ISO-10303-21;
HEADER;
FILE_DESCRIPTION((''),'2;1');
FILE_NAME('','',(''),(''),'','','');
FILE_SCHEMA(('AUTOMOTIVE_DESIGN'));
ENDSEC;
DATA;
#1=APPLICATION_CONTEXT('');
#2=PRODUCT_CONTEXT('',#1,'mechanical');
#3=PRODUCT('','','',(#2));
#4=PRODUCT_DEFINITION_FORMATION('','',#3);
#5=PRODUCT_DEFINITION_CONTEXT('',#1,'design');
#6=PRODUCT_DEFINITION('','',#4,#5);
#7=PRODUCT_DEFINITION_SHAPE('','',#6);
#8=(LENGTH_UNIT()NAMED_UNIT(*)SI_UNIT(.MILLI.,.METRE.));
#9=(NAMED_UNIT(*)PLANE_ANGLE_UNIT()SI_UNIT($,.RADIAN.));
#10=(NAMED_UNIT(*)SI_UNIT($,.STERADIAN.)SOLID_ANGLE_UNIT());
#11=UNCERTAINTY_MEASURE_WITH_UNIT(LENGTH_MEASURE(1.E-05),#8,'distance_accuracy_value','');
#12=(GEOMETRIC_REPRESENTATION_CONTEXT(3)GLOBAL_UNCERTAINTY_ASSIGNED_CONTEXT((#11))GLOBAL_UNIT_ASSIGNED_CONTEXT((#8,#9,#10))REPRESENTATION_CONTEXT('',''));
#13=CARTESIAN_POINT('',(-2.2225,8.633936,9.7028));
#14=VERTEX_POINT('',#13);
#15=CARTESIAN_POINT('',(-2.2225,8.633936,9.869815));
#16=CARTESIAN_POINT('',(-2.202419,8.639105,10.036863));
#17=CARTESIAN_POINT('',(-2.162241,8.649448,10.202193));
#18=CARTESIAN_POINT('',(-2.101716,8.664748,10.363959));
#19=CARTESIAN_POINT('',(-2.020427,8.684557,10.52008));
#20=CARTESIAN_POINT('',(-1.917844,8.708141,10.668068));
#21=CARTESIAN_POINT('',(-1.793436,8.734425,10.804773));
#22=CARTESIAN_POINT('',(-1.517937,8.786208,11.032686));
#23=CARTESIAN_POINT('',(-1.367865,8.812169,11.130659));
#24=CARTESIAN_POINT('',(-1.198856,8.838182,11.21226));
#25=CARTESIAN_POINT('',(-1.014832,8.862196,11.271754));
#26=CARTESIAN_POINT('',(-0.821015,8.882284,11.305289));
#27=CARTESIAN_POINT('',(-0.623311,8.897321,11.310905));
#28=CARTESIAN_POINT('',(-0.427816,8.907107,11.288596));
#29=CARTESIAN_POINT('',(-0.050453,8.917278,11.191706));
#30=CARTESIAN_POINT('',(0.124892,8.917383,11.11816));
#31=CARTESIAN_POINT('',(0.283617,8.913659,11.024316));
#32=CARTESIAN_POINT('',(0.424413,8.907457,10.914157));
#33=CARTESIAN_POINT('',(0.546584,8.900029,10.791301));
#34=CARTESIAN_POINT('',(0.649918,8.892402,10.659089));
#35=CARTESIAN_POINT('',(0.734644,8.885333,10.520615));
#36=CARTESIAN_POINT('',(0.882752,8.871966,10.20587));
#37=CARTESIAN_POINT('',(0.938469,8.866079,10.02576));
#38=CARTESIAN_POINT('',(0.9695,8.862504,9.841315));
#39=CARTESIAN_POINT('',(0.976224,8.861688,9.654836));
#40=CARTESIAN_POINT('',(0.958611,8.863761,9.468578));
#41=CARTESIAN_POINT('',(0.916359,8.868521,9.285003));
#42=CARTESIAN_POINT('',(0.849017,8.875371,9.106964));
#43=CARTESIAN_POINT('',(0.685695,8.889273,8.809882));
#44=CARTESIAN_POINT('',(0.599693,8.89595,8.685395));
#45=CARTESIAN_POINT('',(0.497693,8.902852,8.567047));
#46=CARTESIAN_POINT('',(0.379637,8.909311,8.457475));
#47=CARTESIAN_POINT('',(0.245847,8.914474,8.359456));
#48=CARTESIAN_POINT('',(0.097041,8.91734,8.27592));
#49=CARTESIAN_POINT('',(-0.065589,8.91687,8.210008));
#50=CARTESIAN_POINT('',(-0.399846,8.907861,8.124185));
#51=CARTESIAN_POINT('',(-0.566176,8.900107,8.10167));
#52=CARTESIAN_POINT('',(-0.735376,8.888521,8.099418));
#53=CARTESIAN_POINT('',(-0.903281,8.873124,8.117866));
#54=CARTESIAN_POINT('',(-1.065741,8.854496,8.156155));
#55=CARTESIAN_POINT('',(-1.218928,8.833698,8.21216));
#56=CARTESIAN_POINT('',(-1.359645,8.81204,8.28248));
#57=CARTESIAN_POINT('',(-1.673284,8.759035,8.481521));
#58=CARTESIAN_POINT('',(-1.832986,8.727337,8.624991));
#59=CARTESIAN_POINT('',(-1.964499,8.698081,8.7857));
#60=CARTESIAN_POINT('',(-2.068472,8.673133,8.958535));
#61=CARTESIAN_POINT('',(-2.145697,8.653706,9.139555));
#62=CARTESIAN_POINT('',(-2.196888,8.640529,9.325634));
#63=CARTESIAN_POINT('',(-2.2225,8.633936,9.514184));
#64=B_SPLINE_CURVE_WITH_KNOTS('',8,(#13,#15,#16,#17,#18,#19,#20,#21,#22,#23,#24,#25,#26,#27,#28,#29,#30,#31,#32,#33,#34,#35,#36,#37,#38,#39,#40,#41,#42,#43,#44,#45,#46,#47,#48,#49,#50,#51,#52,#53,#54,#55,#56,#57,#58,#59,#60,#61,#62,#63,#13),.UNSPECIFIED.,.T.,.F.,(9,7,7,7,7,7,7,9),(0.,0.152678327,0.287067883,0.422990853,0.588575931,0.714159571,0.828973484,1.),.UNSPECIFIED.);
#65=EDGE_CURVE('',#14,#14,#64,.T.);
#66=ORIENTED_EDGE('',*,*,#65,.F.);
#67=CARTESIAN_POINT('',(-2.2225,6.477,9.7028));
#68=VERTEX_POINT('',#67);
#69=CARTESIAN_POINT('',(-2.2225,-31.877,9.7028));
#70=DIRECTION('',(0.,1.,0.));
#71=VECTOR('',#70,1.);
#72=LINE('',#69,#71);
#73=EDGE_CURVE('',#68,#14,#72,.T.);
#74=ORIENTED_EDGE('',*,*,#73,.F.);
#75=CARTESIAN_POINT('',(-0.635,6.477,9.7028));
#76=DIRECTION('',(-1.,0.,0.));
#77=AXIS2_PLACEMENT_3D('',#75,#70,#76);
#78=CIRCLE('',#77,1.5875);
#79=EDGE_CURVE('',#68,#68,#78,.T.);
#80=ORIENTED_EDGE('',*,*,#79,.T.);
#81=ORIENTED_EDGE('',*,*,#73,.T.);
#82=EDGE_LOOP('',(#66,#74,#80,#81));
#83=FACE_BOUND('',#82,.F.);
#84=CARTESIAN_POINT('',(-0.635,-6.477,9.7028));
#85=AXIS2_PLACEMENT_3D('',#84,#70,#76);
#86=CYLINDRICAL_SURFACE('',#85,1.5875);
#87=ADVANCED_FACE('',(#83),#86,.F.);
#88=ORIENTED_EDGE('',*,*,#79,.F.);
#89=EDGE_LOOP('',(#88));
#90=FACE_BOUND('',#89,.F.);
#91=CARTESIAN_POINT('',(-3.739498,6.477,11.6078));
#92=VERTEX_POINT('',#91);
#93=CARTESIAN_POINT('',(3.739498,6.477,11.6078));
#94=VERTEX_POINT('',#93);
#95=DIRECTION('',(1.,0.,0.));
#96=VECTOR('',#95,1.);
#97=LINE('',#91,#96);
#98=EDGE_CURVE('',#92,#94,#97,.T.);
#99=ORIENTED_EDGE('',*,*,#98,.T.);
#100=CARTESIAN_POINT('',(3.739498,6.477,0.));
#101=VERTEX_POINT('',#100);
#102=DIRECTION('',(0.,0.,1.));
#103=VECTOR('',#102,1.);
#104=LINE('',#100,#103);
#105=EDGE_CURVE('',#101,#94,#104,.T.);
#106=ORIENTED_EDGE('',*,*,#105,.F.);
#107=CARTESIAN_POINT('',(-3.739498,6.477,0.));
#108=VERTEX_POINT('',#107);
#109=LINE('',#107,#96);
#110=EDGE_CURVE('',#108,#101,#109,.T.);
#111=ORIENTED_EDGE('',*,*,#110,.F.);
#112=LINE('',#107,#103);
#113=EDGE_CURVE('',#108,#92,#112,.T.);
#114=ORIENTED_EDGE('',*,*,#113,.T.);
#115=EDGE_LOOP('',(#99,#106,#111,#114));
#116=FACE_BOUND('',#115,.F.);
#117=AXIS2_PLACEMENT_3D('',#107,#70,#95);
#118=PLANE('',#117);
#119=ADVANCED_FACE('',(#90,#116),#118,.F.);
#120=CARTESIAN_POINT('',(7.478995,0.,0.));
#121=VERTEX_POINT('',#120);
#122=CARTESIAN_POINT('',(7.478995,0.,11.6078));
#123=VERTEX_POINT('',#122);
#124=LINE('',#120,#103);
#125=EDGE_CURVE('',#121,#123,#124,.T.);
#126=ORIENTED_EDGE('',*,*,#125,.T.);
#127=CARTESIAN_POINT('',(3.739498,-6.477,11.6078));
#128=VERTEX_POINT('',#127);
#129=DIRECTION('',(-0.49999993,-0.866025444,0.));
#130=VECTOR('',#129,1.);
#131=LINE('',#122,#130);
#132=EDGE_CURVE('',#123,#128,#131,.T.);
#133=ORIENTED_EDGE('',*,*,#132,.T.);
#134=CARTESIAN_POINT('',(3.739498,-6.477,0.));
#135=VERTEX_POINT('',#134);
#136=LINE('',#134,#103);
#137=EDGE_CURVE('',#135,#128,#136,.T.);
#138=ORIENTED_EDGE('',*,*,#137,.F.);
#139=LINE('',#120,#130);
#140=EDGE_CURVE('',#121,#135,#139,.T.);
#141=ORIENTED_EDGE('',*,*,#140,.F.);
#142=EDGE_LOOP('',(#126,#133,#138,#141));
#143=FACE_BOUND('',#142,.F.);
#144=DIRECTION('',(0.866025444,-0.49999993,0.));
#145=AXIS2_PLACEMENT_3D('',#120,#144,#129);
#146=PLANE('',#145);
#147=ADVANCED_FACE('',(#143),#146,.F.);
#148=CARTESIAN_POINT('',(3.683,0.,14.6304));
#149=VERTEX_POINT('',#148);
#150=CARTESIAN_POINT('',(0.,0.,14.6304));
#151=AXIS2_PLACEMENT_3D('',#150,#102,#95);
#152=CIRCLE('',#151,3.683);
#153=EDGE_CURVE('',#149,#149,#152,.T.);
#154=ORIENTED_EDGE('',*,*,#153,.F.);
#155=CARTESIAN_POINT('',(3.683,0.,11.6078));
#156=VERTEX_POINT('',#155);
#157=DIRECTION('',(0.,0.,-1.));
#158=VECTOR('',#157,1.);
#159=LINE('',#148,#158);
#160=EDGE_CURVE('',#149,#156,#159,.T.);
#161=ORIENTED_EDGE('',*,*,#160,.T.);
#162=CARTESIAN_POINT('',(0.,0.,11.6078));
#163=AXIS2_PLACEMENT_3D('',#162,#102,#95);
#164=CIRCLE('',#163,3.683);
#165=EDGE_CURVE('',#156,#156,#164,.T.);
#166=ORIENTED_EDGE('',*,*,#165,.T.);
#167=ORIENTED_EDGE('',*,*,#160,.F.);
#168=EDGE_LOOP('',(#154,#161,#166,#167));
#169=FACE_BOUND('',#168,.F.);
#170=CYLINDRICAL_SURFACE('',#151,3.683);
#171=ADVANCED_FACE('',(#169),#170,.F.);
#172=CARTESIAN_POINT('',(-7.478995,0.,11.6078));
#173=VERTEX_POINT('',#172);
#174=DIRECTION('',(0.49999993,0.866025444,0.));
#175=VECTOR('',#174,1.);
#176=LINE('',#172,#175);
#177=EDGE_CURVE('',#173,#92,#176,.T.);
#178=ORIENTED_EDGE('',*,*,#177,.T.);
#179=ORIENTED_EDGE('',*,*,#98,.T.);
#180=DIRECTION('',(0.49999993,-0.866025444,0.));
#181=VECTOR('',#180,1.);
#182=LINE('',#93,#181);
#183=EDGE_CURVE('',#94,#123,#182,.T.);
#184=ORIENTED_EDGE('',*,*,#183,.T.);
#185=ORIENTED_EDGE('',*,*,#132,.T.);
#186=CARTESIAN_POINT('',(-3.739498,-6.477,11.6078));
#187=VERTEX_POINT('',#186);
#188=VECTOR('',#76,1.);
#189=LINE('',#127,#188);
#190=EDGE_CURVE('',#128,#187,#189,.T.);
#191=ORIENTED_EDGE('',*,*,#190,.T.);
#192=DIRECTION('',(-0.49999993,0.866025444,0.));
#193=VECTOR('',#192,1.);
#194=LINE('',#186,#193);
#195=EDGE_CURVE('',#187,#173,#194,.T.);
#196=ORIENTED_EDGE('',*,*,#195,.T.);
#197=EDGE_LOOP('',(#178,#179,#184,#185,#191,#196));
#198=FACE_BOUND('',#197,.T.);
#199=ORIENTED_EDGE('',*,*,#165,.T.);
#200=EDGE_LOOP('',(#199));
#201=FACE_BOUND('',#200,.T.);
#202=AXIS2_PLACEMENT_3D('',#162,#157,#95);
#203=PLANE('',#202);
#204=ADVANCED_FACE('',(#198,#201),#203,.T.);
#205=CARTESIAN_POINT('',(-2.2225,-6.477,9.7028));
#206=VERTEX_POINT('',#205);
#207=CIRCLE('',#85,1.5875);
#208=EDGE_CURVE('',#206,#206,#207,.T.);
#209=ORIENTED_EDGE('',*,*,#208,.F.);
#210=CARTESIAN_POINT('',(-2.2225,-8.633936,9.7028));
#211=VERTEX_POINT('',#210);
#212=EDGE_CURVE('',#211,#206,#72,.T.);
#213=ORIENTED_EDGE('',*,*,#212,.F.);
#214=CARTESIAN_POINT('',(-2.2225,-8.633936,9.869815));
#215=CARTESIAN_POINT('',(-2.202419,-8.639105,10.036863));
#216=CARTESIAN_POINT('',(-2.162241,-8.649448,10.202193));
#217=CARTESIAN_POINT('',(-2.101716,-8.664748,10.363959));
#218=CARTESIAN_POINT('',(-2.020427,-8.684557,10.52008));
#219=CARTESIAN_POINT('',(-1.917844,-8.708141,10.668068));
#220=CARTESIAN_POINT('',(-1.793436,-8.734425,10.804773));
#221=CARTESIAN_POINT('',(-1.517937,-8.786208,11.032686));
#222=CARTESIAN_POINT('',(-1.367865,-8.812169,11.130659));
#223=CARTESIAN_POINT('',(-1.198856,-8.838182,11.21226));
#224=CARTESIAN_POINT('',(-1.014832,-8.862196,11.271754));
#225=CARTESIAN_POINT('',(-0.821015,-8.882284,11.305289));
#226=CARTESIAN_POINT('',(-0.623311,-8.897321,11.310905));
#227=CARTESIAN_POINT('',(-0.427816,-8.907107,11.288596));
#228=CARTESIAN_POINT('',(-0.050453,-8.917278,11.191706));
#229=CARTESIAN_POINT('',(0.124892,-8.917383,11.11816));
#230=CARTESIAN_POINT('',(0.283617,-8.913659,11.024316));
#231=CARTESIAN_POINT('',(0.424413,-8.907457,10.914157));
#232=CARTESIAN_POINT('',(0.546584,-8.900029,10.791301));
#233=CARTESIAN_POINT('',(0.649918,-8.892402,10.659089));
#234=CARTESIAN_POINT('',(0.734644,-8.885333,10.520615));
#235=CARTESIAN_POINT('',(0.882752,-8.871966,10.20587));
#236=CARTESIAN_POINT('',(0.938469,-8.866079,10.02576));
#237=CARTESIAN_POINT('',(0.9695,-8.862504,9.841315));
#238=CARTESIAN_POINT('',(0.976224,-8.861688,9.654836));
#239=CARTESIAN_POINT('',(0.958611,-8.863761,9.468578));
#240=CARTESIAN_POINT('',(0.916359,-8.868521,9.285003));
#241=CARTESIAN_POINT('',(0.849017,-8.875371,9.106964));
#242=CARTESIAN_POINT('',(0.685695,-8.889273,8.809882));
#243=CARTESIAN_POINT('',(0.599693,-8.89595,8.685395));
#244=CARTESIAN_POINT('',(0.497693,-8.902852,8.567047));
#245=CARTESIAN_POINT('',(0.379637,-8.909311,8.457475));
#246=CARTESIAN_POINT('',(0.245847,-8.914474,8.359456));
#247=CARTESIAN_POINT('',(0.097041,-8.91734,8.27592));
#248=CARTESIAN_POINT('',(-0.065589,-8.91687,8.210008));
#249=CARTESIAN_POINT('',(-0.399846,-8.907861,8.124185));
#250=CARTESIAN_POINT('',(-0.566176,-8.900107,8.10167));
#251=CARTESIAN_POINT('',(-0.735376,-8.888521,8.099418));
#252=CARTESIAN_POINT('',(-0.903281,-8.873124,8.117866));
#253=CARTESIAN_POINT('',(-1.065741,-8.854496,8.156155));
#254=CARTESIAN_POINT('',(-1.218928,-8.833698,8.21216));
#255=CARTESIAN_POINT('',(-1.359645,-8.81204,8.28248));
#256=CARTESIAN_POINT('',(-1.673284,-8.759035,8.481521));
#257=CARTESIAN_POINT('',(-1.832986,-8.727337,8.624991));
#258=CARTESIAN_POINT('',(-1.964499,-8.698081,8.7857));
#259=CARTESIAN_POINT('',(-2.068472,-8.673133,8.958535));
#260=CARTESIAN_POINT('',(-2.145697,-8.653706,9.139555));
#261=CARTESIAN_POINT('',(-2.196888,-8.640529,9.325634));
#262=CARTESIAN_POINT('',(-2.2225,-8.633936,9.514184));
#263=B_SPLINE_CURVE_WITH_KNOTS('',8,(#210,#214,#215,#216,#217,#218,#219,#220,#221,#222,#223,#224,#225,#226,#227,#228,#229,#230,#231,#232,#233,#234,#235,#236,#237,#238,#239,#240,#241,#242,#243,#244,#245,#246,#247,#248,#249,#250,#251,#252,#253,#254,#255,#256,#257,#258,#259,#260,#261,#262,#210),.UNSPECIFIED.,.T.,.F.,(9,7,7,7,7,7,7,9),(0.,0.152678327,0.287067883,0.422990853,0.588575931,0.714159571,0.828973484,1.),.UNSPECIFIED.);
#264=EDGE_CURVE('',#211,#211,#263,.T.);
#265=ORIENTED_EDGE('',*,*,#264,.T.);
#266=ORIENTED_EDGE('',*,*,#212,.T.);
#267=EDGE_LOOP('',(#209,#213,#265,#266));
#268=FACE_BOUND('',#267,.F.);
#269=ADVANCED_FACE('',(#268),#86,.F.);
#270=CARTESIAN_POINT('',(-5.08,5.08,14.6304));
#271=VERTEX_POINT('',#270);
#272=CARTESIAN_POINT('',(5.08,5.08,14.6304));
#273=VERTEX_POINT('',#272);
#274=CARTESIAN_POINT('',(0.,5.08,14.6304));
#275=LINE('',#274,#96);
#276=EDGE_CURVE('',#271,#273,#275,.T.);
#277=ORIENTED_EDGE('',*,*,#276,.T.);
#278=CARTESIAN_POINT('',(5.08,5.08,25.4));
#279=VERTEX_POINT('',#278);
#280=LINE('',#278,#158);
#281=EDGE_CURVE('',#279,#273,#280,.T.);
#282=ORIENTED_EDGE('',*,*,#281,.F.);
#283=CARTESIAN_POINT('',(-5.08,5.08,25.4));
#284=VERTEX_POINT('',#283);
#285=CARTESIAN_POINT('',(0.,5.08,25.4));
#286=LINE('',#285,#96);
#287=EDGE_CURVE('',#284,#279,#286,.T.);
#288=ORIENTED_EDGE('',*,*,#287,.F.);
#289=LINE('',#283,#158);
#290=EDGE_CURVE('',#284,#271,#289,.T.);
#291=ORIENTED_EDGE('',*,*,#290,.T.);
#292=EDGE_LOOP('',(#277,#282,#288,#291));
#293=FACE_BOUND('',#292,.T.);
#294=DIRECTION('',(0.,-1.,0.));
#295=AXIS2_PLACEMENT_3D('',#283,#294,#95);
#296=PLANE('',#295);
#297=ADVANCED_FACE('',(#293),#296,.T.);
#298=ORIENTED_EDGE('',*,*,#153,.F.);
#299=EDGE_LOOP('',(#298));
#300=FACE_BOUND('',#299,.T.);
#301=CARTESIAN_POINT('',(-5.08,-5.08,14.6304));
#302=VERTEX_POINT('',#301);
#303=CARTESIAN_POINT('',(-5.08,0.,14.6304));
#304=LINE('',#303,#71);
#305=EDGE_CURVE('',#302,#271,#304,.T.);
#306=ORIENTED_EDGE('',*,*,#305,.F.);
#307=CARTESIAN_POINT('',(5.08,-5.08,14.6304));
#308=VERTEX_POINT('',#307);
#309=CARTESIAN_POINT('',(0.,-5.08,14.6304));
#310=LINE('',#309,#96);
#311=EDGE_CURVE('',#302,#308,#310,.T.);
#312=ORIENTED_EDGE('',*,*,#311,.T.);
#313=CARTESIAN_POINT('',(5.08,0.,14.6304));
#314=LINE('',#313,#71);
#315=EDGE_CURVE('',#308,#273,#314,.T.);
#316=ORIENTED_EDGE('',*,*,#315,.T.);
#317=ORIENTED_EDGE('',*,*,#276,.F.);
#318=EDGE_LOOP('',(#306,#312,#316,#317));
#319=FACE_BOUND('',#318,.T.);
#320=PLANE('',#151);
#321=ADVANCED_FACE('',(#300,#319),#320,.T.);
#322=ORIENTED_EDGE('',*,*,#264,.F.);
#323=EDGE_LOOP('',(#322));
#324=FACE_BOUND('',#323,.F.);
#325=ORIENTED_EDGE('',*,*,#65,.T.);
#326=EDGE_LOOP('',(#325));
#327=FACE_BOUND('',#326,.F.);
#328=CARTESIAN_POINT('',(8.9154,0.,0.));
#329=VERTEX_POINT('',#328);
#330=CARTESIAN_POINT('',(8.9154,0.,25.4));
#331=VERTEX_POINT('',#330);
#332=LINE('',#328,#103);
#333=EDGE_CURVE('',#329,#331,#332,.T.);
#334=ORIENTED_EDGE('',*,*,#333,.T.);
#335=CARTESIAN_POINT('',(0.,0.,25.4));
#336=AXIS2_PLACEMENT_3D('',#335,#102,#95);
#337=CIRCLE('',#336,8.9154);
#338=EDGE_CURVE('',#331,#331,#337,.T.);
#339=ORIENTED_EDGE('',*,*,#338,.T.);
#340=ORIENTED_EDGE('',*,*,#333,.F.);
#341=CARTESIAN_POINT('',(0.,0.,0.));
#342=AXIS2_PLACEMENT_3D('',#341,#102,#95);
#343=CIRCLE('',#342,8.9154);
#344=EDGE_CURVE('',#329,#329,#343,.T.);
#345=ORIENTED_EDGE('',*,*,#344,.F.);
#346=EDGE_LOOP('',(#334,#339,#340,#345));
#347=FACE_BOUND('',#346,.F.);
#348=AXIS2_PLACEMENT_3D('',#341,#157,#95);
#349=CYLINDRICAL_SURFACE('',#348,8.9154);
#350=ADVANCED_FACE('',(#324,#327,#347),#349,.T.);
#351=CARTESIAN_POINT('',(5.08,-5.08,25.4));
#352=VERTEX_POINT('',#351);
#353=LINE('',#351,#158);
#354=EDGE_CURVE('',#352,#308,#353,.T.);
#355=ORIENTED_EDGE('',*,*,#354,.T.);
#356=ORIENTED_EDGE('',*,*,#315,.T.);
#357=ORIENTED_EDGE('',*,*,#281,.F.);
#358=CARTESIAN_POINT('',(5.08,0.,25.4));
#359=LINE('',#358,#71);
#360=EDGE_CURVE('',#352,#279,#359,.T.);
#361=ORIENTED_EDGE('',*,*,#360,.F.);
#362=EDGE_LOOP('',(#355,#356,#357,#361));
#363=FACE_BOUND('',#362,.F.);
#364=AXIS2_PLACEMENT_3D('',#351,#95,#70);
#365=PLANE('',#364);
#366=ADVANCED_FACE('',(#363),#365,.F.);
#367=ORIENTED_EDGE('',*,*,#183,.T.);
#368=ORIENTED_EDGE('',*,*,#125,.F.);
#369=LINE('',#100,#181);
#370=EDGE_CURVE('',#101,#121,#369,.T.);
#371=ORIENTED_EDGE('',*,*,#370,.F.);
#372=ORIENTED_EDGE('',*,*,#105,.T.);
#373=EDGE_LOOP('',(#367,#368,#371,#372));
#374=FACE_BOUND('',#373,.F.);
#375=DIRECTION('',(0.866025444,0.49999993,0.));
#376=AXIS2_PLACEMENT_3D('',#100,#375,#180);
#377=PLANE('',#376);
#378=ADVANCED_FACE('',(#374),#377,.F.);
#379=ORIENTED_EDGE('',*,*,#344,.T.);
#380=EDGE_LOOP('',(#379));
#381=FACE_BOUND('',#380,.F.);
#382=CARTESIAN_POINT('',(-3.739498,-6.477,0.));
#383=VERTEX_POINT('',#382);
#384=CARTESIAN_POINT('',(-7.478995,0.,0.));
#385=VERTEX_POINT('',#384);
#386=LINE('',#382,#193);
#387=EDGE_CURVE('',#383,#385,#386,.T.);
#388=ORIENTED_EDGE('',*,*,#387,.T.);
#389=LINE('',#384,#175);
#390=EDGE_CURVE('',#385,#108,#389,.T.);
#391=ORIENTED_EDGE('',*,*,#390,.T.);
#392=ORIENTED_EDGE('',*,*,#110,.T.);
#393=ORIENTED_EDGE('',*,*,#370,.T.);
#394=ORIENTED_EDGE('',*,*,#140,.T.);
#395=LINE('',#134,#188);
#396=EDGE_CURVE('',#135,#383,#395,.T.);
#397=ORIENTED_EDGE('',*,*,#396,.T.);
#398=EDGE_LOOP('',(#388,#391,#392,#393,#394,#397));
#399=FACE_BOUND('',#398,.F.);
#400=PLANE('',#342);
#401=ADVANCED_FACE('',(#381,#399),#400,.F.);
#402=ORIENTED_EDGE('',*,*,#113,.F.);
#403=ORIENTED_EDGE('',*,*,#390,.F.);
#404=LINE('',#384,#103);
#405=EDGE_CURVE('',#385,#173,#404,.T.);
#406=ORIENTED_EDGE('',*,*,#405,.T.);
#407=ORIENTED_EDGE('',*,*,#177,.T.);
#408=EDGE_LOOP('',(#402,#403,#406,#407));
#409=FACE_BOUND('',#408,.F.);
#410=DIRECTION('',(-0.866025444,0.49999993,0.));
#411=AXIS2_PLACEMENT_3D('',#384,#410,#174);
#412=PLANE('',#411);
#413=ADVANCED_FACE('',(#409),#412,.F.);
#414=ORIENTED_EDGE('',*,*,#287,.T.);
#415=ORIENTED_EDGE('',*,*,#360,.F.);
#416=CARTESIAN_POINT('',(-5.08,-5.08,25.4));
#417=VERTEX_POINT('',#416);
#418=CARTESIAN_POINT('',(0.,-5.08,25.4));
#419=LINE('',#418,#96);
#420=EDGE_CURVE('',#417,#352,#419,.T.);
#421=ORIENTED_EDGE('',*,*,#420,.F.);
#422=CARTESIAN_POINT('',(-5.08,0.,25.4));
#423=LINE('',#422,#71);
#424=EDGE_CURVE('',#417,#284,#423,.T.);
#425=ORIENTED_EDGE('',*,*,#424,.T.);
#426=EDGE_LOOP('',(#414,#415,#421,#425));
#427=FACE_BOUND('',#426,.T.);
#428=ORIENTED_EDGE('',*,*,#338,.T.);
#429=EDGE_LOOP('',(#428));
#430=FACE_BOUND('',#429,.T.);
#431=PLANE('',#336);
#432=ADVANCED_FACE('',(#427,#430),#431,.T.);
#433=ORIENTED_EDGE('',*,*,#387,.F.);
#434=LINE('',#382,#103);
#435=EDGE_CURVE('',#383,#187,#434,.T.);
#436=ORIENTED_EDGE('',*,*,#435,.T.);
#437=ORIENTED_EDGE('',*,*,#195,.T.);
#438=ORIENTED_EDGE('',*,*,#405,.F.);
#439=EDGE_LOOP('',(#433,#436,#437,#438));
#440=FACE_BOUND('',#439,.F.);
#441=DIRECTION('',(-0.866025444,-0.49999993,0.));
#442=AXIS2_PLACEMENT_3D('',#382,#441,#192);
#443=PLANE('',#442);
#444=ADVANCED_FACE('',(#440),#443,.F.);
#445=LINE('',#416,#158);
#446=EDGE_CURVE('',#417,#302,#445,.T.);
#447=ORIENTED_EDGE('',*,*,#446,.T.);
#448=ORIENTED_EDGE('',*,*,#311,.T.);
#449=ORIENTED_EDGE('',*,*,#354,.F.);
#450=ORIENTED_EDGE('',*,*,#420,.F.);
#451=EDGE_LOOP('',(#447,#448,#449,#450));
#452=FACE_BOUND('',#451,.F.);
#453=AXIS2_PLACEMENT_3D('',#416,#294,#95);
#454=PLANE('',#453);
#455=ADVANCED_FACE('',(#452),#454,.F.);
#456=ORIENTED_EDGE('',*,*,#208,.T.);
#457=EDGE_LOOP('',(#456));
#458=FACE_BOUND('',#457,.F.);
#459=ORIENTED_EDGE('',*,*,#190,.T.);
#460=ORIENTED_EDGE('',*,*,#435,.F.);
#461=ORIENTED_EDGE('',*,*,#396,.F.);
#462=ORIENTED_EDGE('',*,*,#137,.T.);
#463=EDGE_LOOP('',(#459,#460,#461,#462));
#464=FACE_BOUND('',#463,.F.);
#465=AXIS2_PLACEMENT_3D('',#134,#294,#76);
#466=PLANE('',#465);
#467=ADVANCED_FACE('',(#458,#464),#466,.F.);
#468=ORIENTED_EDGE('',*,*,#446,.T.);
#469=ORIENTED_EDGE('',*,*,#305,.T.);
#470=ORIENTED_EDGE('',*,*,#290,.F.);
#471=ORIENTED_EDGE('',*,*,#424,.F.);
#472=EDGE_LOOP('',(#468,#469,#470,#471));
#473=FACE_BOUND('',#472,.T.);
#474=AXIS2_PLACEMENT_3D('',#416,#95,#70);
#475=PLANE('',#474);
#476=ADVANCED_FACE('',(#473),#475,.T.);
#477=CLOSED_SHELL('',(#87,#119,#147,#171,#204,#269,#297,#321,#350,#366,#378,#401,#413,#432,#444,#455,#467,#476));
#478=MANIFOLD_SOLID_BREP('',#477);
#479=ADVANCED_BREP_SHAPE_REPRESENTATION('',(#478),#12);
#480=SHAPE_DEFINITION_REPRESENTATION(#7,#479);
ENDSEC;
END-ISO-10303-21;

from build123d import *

# Parameters (mm, degrees)
F0_R     = 8.9154
F1_DEPTH = 25.4
F2_W     = 10.16
F2_H     = 10.16
F3_DEPTH = 10.7696
F4_R     = 3.683
F5_DEPTH = 14.6314
F7_DEPTH = 11.6078
F8_R     = 1.5875
F9_DEPTH = 25.4


with BuildPart() as f1:
    # F0 (on Top) → F1 (new body)
    with BuildSketch(Plane.XY):
        Circle(F0_R)
    extrude(amount=F1_DEPTH)

    # F2 (on face) → F3 (cut)
    with BuildSketch(Plane.XY.offset(25.4)):
        Rectangle(F2_W, F2_H)
    extrude(amount=-F3_DEPTH, mode=Mode.SUBTRACT)

    # F4 (on face) → F5 (cut, through all)
    with BuildSketch(Plane.XY.offset(14.6304)):
        Circle(F4_R)
    extrude(amount=-F5_DEPTH, mode=Mode.SUBTRACT)

    # F6 (on face) → F7 (cut)
    with BuildSketch(Plane(origin=(0, 0, 0), x_dir=(1, 0, 0), z_dir=(0, 0, -1))):
        Polygon((3.739498, 6.477), (-3.739498, 6.477), (-7.478995, 0), (-3.739498, -6.477), (3.739498, -6.477), (7.478995, 0), align=None)
    extrude(amount=-F7_DEPTH, mode=Mode.SUBTRACT)

    # F8 (on face) → F9 (cut, symmetric)
    with BuildSketch(Plane(origin=(0, -6.477, 0), x_dir=(-1, 0, 0), z_dir=(0, 1, 0))):
        with Locations((0.635, 9.7028)):
            Circle(F8_R)
    extrude(amount=F9_DEPTH, both=True, mode=Mode.SUBTRACT)


solid = f1.part
